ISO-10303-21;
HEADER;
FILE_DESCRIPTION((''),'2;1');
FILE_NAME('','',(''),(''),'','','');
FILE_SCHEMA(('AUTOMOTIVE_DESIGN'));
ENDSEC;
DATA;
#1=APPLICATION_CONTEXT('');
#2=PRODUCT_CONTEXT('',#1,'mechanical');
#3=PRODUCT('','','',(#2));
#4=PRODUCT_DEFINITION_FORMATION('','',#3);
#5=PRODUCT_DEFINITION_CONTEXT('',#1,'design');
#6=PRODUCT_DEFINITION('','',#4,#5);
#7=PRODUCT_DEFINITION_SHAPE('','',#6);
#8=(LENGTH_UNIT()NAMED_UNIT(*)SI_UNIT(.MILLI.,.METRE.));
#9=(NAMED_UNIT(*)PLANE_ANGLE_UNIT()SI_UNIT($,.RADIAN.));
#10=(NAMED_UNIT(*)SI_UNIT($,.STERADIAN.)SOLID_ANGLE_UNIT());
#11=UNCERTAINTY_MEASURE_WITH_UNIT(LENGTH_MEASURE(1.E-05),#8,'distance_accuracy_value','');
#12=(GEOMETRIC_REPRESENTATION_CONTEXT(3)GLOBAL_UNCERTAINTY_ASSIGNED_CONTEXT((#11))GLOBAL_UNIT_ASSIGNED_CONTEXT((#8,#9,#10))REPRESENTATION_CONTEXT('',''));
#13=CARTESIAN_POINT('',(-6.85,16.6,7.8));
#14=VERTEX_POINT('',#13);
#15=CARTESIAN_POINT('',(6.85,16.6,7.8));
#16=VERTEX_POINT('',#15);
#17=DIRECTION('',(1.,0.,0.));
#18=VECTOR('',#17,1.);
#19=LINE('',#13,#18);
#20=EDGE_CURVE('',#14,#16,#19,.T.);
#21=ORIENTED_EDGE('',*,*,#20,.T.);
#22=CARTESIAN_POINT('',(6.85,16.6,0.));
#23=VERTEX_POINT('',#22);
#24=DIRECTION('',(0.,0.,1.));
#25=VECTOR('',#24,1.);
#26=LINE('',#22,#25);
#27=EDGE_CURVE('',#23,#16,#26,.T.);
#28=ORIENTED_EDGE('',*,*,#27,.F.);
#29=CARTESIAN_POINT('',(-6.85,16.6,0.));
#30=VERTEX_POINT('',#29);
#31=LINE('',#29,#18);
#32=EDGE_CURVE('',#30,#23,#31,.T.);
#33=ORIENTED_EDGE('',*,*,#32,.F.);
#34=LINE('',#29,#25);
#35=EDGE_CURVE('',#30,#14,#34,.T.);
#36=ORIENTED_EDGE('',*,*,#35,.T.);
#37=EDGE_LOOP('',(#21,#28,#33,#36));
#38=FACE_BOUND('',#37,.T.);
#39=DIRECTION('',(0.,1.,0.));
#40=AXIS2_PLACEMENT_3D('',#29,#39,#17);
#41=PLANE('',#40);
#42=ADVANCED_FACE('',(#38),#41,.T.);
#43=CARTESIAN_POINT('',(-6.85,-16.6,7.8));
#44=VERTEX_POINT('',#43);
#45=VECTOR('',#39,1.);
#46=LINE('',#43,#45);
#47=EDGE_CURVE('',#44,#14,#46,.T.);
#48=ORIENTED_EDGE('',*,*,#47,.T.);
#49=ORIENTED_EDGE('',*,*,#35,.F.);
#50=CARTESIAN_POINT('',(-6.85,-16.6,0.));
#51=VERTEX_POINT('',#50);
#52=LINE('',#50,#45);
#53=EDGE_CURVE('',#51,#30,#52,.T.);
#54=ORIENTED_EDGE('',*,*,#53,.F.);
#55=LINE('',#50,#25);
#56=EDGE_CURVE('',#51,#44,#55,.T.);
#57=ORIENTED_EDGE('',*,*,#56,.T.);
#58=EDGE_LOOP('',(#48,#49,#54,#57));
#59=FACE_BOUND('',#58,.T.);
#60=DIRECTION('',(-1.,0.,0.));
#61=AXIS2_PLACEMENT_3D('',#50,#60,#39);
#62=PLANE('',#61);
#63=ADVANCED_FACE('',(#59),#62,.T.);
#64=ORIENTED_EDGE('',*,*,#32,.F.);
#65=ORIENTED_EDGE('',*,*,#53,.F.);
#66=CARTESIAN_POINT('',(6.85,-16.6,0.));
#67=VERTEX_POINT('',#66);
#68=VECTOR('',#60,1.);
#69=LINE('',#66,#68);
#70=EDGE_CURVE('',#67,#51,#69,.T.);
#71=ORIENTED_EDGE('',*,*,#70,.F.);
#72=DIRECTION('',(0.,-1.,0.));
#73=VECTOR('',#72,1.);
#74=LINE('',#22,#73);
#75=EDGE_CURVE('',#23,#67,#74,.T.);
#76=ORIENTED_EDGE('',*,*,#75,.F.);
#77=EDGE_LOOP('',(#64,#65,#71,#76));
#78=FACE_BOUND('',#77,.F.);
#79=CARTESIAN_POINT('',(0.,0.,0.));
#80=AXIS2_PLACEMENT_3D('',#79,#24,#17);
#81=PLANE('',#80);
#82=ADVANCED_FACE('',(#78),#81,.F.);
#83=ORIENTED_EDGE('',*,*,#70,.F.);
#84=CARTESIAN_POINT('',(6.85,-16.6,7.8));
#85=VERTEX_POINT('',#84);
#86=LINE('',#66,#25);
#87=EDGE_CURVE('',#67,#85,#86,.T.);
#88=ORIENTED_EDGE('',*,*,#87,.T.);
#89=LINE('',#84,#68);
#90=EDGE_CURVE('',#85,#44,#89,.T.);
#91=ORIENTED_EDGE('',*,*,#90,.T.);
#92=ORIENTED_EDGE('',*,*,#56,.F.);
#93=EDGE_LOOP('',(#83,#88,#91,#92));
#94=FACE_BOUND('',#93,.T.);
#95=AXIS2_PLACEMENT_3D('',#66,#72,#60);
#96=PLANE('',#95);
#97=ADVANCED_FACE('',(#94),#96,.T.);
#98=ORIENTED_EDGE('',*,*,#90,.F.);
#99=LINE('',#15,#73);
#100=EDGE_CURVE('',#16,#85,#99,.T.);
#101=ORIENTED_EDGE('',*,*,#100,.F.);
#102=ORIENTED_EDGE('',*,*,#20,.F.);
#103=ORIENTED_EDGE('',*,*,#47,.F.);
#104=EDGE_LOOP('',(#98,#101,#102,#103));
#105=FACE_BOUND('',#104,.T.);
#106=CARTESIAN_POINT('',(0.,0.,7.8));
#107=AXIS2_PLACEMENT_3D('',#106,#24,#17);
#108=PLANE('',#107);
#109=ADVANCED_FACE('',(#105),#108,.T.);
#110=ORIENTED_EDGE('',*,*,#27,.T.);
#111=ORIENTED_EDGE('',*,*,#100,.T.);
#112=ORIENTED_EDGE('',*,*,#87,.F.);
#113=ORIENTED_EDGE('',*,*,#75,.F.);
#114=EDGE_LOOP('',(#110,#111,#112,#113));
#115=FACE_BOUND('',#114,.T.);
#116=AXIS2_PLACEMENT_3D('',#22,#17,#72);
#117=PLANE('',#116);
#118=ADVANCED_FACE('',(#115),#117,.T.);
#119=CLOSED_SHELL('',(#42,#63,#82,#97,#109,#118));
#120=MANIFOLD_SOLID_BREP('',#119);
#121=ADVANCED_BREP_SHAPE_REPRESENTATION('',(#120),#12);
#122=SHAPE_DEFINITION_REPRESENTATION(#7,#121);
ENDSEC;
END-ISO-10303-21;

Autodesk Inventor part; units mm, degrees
ref_plane "YZ Plane" through (0, 0, 0) normal (1, 0, 0) x (0, 1, 0)
ref_plane "XZ Plane" through (0, 0, 0) normal (0, 1, 0) x (-1, 0, 0)
ref_plane "XY Plane" through (0, 0, 0) normal (0, 0, 1) x (1, 0, 0)
sketch "OKY2T10, OKY2-T_10-D12_120" plane through (0, 0, 0) normal (0, 0, 1) x (1, 0, 0)
  line L0 (-6.85, -16.6) -> (-6.85, 16.6)
  line L1 (-6.85, 16.6) -> (6.85, 16.6)
  line L2 (6.85, 16.6) -> (6.85, -16.6)
  line L3 (6.85, -16.6) -> (-6.85, -16.6)
extrude "Extrusion1" add sketch "OKY2T10, OKY2-T_10-D12_120" along normal blind 7.8
properties part number "OKY2-T/10-D12"
